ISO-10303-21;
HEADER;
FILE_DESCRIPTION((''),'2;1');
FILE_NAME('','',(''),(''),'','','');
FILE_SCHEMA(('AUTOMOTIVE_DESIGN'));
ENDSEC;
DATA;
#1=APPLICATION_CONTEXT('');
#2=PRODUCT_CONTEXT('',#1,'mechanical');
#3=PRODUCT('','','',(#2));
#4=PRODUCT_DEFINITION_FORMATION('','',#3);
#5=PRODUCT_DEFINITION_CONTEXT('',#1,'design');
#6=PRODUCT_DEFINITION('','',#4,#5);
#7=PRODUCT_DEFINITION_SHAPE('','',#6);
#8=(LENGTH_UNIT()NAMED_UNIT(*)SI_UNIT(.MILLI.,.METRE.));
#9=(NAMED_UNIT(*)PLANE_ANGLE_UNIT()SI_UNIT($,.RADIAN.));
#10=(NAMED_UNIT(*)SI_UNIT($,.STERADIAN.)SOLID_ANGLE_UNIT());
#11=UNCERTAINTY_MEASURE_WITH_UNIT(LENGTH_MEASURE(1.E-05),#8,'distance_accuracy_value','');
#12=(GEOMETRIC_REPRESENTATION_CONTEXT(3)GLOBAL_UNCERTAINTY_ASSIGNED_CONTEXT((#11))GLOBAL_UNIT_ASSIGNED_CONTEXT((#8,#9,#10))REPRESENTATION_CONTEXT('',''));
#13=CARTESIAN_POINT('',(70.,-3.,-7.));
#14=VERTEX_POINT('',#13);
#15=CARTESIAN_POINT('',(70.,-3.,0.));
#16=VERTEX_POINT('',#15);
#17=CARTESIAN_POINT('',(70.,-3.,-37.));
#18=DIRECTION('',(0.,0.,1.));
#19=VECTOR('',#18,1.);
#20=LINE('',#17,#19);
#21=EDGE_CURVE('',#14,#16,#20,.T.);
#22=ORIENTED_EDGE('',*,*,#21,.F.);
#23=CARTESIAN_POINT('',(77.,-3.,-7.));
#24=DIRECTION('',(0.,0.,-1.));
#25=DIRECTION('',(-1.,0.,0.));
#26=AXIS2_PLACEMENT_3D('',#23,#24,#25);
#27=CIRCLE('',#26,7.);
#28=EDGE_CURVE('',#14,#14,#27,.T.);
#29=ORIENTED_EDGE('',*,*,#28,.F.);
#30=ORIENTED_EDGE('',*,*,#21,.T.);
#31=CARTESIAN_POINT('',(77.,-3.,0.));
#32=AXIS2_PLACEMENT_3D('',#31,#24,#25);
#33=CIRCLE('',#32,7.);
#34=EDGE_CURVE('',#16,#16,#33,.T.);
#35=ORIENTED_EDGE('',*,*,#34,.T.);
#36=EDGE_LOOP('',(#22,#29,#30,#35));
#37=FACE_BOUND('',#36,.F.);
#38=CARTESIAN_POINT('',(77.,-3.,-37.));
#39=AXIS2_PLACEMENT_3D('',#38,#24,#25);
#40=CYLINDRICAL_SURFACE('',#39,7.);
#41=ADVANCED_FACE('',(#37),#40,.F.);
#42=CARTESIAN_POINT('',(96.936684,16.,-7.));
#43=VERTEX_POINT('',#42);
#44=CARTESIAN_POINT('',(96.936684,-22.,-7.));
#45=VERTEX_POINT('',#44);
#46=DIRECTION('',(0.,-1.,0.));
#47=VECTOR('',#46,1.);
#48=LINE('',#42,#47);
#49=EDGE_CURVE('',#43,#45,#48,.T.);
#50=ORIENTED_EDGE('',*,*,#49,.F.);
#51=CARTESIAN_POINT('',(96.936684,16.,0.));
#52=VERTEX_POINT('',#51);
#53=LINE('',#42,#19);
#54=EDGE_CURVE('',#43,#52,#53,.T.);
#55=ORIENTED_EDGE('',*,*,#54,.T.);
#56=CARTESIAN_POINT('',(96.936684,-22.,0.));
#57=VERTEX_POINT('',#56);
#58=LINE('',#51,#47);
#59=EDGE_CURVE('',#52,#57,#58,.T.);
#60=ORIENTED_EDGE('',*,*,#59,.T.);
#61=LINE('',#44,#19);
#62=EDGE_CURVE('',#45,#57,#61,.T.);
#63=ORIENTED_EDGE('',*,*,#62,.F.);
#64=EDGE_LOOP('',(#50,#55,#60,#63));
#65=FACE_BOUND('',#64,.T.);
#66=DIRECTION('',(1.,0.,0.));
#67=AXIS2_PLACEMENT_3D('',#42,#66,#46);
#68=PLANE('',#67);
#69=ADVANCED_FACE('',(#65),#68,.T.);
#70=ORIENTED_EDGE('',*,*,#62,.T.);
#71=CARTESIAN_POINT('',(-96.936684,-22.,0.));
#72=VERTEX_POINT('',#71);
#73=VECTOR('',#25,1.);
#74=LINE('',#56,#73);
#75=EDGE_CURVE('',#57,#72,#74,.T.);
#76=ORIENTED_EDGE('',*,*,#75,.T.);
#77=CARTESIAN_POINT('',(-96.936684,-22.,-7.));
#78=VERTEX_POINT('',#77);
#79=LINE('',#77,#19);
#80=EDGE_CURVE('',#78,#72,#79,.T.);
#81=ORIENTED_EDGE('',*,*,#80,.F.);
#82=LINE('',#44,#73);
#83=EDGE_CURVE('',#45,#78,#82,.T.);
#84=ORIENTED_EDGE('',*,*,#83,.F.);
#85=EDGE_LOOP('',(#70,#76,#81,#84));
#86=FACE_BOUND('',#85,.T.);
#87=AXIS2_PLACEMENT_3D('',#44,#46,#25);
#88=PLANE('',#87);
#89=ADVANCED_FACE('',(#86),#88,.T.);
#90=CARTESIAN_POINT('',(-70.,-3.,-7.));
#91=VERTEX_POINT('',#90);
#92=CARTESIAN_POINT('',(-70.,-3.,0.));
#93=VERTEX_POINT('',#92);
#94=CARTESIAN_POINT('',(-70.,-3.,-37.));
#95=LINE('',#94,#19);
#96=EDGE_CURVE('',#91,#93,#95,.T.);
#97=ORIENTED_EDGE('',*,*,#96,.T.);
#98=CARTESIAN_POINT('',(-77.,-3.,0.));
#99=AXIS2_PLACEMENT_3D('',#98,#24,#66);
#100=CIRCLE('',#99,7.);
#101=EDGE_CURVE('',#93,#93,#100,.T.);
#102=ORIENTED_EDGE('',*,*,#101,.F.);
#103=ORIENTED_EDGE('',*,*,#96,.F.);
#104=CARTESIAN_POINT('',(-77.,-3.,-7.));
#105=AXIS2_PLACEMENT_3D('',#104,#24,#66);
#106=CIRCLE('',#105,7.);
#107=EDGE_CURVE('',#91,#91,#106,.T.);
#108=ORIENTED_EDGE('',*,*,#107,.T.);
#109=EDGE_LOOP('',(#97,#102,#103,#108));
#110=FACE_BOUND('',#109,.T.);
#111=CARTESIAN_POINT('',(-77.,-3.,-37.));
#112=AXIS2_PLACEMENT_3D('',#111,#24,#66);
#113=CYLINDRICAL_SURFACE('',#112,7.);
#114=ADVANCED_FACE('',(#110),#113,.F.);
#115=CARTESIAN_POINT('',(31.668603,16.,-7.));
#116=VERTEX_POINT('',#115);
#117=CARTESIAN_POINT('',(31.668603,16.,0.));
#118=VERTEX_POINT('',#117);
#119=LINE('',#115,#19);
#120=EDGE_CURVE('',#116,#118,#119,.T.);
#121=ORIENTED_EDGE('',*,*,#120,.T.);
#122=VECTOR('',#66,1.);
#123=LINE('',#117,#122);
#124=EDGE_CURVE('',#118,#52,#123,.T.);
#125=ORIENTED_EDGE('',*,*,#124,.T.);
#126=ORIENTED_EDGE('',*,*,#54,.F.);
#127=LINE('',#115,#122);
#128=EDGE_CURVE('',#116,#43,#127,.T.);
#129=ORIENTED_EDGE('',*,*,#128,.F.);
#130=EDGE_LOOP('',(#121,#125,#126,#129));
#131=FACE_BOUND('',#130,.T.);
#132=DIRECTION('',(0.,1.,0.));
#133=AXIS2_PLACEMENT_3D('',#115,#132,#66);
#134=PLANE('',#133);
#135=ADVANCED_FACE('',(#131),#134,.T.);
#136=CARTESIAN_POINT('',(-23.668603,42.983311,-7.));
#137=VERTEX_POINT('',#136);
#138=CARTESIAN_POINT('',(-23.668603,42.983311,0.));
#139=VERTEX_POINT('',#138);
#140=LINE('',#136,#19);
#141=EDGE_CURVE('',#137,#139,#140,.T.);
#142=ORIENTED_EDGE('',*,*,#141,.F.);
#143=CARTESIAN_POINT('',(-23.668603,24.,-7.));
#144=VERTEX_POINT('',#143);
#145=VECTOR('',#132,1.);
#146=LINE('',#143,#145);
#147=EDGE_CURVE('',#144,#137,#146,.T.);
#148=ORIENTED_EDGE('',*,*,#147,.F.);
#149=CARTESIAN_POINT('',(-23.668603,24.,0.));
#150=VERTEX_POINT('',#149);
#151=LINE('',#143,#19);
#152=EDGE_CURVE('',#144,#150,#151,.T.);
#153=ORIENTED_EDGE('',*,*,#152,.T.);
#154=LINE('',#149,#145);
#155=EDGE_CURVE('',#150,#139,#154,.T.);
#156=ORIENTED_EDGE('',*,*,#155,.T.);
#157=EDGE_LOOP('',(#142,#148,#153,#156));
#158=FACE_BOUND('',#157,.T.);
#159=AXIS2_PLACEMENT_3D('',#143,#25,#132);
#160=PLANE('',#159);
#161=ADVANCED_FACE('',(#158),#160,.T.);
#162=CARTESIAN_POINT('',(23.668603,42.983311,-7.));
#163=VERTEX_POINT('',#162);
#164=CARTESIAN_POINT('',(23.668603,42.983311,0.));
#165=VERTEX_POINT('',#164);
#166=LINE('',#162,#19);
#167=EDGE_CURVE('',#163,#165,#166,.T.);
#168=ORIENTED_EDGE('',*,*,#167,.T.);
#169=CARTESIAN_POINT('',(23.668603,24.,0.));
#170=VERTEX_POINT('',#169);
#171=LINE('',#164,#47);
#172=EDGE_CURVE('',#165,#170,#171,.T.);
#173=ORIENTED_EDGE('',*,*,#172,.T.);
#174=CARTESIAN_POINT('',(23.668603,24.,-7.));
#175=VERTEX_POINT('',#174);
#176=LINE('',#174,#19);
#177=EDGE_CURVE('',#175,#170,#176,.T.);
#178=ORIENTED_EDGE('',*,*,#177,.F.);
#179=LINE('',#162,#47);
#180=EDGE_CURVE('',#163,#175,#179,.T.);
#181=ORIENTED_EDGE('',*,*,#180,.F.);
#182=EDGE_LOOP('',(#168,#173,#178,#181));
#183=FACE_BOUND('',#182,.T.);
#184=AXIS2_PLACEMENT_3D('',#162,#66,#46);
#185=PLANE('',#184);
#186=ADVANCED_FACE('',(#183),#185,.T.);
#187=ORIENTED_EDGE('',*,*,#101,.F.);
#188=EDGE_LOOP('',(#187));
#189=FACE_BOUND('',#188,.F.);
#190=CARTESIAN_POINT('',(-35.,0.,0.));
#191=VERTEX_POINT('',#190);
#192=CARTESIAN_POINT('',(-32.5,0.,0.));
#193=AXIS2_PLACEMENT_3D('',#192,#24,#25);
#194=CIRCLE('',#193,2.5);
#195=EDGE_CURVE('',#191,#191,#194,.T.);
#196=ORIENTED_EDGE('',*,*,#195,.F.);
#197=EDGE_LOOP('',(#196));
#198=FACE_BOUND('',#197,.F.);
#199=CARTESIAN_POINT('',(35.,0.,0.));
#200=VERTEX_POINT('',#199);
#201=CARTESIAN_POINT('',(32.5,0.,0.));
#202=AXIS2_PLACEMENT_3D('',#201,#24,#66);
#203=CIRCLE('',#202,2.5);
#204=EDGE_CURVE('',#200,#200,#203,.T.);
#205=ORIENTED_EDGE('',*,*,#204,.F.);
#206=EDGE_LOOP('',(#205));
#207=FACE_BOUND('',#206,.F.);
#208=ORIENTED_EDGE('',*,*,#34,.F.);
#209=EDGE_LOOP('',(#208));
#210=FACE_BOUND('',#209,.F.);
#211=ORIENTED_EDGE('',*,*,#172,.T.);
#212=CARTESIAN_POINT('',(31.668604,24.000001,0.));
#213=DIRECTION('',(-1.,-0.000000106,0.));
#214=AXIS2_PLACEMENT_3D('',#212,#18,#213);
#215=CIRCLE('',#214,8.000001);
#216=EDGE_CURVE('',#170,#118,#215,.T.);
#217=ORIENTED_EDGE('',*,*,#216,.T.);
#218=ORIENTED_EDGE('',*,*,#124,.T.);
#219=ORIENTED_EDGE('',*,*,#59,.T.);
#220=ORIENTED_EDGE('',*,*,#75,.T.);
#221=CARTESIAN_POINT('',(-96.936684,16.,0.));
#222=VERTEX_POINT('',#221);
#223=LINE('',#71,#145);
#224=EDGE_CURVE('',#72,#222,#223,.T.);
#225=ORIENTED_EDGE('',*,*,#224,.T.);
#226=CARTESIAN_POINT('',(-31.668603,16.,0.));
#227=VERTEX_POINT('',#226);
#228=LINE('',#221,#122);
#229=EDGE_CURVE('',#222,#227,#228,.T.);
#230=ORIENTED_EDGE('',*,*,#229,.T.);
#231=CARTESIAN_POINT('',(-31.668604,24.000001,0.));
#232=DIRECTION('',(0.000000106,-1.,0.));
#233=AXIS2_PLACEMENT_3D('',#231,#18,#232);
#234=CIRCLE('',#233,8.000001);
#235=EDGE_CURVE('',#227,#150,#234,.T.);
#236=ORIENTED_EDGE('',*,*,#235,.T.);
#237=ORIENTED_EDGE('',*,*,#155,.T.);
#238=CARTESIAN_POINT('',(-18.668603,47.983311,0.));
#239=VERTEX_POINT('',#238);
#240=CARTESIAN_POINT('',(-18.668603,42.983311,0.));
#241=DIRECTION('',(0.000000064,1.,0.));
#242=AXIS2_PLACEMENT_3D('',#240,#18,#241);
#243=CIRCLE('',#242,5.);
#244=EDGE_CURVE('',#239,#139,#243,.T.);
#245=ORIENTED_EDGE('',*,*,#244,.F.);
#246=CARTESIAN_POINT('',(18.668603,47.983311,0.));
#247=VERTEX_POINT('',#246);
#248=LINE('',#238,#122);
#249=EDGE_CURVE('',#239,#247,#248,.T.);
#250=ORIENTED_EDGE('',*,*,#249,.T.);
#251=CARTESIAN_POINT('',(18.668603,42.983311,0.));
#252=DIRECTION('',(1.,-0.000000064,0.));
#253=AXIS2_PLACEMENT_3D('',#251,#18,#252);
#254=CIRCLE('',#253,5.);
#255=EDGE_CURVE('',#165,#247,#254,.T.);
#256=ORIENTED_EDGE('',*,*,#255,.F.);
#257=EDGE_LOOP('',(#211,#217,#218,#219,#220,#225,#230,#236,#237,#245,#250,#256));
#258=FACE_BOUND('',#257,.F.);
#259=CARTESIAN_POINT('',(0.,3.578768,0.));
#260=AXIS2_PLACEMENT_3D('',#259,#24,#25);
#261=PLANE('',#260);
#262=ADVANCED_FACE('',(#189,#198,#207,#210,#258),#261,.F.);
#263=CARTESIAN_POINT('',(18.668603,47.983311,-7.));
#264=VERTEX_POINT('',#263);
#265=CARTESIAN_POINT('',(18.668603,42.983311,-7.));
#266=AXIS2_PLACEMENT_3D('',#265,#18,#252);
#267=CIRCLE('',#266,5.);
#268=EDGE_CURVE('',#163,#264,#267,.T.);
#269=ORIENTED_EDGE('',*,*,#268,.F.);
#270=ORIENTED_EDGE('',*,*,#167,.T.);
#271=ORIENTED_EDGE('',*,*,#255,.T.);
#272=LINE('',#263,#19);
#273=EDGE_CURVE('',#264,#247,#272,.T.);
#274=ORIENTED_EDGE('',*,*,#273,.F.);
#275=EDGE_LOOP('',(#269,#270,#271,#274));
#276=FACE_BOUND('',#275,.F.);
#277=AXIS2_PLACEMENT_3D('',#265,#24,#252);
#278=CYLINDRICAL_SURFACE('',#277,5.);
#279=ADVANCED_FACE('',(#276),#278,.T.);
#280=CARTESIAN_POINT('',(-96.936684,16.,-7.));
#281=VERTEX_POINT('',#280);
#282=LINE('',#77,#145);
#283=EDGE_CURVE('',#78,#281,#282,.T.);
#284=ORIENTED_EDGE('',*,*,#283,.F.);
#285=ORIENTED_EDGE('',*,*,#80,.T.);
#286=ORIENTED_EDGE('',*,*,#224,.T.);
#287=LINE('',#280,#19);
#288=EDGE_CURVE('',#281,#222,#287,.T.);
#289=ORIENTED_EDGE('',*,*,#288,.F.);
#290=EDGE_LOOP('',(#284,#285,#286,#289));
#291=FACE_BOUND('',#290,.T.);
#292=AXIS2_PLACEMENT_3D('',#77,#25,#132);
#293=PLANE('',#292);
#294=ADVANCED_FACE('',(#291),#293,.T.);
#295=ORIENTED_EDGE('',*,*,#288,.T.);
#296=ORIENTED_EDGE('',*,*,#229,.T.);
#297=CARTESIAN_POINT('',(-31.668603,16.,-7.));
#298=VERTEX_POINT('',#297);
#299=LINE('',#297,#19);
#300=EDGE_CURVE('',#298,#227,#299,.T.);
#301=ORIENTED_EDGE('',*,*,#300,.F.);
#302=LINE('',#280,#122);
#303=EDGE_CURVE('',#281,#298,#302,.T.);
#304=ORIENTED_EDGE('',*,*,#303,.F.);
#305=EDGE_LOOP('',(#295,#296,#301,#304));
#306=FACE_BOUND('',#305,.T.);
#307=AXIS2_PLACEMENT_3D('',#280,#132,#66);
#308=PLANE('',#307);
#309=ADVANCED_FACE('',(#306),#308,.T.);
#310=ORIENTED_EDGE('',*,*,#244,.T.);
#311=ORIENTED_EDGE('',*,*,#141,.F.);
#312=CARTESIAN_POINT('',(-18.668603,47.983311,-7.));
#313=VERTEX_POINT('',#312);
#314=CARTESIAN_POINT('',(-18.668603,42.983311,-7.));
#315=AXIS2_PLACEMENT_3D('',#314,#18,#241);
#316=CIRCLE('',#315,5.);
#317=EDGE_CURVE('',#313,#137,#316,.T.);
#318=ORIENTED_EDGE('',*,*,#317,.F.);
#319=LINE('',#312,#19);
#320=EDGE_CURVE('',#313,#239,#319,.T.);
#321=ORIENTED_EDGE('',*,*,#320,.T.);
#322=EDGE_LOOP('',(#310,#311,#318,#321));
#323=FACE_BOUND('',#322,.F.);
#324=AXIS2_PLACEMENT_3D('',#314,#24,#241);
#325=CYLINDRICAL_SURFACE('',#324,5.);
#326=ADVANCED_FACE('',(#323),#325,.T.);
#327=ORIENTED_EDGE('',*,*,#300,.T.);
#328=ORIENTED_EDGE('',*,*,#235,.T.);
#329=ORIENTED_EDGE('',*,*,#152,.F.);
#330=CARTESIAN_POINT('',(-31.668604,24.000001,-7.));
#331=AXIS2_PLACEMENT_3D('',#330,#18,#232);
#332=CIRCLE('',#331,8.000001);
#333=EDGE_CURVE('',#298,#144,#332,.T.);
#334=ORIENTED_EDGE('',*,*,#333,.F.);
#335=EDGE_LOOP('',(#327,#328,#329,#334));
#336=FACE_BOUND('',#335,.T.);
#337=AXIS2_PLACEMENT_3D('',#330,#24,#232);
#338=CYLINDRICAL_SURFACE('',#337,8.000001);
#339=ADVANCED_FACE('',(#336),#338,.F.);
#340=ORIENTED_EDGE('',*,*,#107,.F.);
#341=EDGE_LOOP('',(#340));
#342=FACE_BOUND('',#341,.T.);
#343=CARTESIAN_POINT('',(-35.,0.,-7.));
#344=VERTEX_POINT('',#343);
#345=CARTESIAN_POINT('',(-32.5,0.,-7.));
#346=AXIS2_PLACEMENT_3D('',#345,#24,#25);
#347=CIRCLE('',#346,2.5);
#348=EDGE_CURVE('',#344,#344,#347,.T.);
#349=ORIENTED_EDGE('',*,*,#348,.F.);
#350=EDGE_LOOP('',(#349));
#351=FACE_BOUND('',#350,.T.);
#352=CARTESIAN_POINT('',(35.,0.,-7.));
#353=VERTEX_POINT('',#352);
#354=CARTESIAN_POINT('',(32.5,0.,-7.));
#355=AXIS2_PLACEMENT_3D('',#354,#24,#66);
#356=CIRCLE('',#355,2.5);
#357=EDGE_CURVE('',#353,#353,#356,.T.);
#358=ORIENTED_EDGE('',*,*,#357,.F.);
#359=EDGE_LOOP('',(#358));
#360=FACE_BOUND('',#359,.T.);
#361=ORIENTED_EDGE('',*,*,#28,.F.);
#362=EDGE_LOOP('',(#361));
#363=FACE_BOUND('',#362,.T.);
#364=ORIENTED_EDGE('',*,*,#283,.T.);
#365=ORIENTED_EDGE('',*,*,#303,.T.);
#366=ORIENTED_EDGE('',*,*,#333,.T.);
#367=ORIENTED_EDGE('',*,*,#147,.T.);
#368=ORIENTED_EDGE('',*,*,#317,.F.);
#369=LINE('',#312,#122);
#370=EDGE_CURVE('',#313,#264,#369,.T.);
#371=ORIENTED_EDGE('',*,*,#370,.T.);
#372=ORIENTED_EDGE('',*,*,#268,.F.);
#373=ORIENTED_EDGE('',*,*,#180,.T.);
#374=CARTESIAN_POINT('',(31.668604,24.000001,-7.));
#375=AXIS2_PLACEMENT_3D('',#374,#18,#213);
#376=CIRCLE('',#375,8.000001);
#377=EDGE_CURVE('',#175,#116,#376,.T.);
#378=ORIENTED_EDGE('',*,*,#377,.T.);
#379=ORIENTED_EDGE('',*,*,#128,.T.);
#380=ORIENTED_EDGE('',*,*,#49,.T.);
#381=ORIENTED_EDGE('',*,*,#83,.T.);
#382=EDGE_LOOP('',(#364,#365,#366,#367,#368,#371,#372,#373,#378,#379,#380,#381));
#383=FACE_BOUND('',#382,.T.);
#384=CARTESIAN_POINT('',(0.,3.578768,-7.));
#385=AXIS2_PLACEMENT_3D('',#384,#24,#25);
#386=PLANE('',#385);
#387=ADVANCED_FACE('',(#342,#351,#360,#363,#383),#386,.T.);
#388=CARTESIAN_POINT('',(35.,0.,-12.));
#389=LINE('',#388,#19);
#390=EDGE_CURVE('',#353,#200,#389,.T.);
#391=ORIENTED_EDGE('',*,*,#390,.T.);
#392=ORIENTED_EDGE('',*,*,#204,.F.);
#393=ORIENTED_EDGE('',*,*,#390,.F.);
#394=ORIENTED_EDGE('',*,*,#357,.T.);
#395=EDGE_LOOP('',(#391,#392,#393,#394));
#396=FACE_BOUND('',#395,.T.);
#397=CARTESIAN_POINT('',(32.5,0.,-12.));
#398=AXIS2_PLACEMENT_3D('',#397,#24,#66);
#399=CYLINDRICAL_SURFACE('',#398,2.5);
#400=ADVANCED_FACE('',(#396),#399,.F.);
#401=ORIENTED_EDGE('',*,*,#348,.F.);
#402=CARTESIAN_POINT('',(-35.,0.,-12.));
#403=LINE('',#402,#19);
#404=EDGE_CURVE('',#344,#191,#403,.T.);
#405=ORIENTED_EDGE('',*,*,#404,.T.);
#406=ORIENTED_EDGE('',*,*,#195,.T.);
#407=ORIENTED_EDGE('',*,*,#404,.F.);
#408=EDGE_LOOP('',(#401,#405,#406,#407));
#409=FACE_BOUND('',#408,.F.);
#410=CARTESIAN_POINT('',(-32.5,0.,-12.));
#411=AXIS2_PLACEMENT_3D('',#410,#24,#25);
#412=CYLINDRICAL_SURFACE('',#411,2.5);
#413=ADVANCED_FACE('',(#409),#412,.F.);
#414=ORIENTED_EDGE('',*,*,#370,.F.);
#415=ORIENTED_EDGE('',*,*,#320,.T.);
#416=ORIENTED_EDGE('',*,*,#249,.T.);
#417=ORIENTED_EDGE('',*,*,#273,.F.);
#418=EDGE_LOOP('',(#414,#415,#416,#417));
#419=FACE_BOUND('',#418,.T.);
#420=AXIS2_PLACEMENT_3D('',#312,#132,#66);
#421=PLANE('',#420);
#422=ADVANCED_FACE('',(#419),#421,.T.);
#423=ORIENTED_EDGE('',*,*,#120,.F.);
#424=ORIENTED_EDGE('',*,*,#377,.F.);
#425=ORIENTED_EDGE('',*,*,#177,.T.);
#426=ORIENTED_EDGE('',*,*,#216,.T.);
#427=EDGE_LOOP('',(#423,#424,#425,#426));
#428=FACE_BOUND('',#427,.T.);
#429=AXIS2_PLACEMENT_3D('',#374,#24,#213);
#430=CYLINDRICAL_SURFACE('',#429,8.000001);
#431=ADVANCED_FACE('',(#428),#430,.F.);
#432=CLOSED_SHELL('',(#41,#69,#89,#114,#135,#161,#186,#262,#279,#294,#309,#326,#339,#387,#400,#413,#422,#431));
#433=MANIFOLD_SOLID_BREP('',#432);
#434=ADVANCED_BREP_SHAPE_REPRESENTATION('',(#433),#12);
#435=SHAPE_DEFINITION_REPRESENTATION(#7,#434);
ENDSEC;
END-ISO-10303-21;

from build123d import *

# Parameters (mm, degrees)
CYLINDER005_R     = 2.5
CYLINDER005_DEPTH = 90
CYLINDER004_R     = 7
CYLINDER004_DEPTH = 150
CYLINDER003_R     = 11
CYLINDER003_DEPTH = 31
PAD010_DEPTH      = 7


with BuildPart() as vis_d:
    # Cylinder005 → Cylinder005 (new body)
    with BuildSketch(Plane(origin=(32.5, 0, -12), x_dir=(1, 0, 0), z_dir=(0, 0, 1))):
        Circle(CYLINDER005_R)
    extrude(amount=CYLINDER005_DEPTH)


with BuildPart() as vis:
    # Part__Mirroring003: instance of vis_d
    add(vis_d.part.mirror(Plane(origin=(0, 0, 0), x_dir=(0, -1, 0), z_dir=(1, 0, 0))))

    # Fusion005: union vis_d
    add(vis_d.part)


with BuildPart() as axe:
    # Cylinder004 → Cylinder004 (new body)
    with BuildSketch(Plane.XY.offset(-50)):
        Circle(CYLINDER004_R)
    extrude(amount=CYLINDER004_DEPTH)


with BuildPart() as clone_of_ball_slider:
    # Cylinder003 → Cylinder003 (new body)
    with BuildSketch(Plane.XY):
        Circle(CYLINDER003_R)
    extrude(amount=CYLINDER003_DEPTH)

    # Fusion003: union axe
    add(axe.part)


with BuildPart() as clone_of_ball_slider_1:
    # Clone017 placement: moved
    add(clone_of_ball_slider.part.moved(Location((-77, -3, 13))))


with BuildPart() as part_mirroring002:
    # Part__Mirroring002: instance of Clone of ball slider
    add(clone_of_ball_slider_1.part.mirror(Plane(origin=(0, 0, 0), x_dir=(0, -1, 0), z_dir=(1, 0, 0))))


with BuildPart() as vis_sliders:
    # Fusion004 base: copy of Clone of ball slider
    add(clone_of_ball_slider_1.part)

    # Fusion004: union Part__Mirroring002
    add(part_mirroring002.part)

    # Fusion006: union vis
    add(vis.part)


with BuildPart() as cut006006:
    # Sketch → Pad010 (new body)
    with BuildSketch(Plane.XY.offset(25)):
        with BuildLine():
            Line((96.936684, 16), (96.936684, -22))
            Line((96.936684, -22), (-96.936684, -22))
            Line((-96.936684, -22), (-96.936684, 16))
            Line((-96.936684, 16), (-31.668603, 16))
            ThreePointArc((-31.668603, 16), (-26.011749, 18.343146), (-23.668603, 24))
            Line((-23.668603, 24), (-23.668603, 42.983311))
            ThreePointArc((-18.668603, 47.983311), (-22.204137, 46.518845), (-23.668603, 42.983311))
            Line((-18.668603, 47.983311), (18.668603, 47.983311))
            ThreePointArc((23.668603, 42.983311), (22.204137, 46.518845), (18.668603, 47.983311))
            Line((23.668603, 42.983311), (23.668603, 24))
            ThreePointArc((23.668603, 24), (26.011749, 18.343146), (31.668603, 16))
            Line((31.668603, 16), (96.936684, 16))
        make_face()
    extrude(amount=PAD010_DEPTH)


with BuildPart() as cut006006_1:
    # Clone016 placement: moved
    add(cut006006.part.moved(Location((0, 0, -32))))

    # Cut006006: cut vis sliders
    add(vis_sliders.part, mode=Mode.SUBTRACT)


solid = cut006006_1.part
